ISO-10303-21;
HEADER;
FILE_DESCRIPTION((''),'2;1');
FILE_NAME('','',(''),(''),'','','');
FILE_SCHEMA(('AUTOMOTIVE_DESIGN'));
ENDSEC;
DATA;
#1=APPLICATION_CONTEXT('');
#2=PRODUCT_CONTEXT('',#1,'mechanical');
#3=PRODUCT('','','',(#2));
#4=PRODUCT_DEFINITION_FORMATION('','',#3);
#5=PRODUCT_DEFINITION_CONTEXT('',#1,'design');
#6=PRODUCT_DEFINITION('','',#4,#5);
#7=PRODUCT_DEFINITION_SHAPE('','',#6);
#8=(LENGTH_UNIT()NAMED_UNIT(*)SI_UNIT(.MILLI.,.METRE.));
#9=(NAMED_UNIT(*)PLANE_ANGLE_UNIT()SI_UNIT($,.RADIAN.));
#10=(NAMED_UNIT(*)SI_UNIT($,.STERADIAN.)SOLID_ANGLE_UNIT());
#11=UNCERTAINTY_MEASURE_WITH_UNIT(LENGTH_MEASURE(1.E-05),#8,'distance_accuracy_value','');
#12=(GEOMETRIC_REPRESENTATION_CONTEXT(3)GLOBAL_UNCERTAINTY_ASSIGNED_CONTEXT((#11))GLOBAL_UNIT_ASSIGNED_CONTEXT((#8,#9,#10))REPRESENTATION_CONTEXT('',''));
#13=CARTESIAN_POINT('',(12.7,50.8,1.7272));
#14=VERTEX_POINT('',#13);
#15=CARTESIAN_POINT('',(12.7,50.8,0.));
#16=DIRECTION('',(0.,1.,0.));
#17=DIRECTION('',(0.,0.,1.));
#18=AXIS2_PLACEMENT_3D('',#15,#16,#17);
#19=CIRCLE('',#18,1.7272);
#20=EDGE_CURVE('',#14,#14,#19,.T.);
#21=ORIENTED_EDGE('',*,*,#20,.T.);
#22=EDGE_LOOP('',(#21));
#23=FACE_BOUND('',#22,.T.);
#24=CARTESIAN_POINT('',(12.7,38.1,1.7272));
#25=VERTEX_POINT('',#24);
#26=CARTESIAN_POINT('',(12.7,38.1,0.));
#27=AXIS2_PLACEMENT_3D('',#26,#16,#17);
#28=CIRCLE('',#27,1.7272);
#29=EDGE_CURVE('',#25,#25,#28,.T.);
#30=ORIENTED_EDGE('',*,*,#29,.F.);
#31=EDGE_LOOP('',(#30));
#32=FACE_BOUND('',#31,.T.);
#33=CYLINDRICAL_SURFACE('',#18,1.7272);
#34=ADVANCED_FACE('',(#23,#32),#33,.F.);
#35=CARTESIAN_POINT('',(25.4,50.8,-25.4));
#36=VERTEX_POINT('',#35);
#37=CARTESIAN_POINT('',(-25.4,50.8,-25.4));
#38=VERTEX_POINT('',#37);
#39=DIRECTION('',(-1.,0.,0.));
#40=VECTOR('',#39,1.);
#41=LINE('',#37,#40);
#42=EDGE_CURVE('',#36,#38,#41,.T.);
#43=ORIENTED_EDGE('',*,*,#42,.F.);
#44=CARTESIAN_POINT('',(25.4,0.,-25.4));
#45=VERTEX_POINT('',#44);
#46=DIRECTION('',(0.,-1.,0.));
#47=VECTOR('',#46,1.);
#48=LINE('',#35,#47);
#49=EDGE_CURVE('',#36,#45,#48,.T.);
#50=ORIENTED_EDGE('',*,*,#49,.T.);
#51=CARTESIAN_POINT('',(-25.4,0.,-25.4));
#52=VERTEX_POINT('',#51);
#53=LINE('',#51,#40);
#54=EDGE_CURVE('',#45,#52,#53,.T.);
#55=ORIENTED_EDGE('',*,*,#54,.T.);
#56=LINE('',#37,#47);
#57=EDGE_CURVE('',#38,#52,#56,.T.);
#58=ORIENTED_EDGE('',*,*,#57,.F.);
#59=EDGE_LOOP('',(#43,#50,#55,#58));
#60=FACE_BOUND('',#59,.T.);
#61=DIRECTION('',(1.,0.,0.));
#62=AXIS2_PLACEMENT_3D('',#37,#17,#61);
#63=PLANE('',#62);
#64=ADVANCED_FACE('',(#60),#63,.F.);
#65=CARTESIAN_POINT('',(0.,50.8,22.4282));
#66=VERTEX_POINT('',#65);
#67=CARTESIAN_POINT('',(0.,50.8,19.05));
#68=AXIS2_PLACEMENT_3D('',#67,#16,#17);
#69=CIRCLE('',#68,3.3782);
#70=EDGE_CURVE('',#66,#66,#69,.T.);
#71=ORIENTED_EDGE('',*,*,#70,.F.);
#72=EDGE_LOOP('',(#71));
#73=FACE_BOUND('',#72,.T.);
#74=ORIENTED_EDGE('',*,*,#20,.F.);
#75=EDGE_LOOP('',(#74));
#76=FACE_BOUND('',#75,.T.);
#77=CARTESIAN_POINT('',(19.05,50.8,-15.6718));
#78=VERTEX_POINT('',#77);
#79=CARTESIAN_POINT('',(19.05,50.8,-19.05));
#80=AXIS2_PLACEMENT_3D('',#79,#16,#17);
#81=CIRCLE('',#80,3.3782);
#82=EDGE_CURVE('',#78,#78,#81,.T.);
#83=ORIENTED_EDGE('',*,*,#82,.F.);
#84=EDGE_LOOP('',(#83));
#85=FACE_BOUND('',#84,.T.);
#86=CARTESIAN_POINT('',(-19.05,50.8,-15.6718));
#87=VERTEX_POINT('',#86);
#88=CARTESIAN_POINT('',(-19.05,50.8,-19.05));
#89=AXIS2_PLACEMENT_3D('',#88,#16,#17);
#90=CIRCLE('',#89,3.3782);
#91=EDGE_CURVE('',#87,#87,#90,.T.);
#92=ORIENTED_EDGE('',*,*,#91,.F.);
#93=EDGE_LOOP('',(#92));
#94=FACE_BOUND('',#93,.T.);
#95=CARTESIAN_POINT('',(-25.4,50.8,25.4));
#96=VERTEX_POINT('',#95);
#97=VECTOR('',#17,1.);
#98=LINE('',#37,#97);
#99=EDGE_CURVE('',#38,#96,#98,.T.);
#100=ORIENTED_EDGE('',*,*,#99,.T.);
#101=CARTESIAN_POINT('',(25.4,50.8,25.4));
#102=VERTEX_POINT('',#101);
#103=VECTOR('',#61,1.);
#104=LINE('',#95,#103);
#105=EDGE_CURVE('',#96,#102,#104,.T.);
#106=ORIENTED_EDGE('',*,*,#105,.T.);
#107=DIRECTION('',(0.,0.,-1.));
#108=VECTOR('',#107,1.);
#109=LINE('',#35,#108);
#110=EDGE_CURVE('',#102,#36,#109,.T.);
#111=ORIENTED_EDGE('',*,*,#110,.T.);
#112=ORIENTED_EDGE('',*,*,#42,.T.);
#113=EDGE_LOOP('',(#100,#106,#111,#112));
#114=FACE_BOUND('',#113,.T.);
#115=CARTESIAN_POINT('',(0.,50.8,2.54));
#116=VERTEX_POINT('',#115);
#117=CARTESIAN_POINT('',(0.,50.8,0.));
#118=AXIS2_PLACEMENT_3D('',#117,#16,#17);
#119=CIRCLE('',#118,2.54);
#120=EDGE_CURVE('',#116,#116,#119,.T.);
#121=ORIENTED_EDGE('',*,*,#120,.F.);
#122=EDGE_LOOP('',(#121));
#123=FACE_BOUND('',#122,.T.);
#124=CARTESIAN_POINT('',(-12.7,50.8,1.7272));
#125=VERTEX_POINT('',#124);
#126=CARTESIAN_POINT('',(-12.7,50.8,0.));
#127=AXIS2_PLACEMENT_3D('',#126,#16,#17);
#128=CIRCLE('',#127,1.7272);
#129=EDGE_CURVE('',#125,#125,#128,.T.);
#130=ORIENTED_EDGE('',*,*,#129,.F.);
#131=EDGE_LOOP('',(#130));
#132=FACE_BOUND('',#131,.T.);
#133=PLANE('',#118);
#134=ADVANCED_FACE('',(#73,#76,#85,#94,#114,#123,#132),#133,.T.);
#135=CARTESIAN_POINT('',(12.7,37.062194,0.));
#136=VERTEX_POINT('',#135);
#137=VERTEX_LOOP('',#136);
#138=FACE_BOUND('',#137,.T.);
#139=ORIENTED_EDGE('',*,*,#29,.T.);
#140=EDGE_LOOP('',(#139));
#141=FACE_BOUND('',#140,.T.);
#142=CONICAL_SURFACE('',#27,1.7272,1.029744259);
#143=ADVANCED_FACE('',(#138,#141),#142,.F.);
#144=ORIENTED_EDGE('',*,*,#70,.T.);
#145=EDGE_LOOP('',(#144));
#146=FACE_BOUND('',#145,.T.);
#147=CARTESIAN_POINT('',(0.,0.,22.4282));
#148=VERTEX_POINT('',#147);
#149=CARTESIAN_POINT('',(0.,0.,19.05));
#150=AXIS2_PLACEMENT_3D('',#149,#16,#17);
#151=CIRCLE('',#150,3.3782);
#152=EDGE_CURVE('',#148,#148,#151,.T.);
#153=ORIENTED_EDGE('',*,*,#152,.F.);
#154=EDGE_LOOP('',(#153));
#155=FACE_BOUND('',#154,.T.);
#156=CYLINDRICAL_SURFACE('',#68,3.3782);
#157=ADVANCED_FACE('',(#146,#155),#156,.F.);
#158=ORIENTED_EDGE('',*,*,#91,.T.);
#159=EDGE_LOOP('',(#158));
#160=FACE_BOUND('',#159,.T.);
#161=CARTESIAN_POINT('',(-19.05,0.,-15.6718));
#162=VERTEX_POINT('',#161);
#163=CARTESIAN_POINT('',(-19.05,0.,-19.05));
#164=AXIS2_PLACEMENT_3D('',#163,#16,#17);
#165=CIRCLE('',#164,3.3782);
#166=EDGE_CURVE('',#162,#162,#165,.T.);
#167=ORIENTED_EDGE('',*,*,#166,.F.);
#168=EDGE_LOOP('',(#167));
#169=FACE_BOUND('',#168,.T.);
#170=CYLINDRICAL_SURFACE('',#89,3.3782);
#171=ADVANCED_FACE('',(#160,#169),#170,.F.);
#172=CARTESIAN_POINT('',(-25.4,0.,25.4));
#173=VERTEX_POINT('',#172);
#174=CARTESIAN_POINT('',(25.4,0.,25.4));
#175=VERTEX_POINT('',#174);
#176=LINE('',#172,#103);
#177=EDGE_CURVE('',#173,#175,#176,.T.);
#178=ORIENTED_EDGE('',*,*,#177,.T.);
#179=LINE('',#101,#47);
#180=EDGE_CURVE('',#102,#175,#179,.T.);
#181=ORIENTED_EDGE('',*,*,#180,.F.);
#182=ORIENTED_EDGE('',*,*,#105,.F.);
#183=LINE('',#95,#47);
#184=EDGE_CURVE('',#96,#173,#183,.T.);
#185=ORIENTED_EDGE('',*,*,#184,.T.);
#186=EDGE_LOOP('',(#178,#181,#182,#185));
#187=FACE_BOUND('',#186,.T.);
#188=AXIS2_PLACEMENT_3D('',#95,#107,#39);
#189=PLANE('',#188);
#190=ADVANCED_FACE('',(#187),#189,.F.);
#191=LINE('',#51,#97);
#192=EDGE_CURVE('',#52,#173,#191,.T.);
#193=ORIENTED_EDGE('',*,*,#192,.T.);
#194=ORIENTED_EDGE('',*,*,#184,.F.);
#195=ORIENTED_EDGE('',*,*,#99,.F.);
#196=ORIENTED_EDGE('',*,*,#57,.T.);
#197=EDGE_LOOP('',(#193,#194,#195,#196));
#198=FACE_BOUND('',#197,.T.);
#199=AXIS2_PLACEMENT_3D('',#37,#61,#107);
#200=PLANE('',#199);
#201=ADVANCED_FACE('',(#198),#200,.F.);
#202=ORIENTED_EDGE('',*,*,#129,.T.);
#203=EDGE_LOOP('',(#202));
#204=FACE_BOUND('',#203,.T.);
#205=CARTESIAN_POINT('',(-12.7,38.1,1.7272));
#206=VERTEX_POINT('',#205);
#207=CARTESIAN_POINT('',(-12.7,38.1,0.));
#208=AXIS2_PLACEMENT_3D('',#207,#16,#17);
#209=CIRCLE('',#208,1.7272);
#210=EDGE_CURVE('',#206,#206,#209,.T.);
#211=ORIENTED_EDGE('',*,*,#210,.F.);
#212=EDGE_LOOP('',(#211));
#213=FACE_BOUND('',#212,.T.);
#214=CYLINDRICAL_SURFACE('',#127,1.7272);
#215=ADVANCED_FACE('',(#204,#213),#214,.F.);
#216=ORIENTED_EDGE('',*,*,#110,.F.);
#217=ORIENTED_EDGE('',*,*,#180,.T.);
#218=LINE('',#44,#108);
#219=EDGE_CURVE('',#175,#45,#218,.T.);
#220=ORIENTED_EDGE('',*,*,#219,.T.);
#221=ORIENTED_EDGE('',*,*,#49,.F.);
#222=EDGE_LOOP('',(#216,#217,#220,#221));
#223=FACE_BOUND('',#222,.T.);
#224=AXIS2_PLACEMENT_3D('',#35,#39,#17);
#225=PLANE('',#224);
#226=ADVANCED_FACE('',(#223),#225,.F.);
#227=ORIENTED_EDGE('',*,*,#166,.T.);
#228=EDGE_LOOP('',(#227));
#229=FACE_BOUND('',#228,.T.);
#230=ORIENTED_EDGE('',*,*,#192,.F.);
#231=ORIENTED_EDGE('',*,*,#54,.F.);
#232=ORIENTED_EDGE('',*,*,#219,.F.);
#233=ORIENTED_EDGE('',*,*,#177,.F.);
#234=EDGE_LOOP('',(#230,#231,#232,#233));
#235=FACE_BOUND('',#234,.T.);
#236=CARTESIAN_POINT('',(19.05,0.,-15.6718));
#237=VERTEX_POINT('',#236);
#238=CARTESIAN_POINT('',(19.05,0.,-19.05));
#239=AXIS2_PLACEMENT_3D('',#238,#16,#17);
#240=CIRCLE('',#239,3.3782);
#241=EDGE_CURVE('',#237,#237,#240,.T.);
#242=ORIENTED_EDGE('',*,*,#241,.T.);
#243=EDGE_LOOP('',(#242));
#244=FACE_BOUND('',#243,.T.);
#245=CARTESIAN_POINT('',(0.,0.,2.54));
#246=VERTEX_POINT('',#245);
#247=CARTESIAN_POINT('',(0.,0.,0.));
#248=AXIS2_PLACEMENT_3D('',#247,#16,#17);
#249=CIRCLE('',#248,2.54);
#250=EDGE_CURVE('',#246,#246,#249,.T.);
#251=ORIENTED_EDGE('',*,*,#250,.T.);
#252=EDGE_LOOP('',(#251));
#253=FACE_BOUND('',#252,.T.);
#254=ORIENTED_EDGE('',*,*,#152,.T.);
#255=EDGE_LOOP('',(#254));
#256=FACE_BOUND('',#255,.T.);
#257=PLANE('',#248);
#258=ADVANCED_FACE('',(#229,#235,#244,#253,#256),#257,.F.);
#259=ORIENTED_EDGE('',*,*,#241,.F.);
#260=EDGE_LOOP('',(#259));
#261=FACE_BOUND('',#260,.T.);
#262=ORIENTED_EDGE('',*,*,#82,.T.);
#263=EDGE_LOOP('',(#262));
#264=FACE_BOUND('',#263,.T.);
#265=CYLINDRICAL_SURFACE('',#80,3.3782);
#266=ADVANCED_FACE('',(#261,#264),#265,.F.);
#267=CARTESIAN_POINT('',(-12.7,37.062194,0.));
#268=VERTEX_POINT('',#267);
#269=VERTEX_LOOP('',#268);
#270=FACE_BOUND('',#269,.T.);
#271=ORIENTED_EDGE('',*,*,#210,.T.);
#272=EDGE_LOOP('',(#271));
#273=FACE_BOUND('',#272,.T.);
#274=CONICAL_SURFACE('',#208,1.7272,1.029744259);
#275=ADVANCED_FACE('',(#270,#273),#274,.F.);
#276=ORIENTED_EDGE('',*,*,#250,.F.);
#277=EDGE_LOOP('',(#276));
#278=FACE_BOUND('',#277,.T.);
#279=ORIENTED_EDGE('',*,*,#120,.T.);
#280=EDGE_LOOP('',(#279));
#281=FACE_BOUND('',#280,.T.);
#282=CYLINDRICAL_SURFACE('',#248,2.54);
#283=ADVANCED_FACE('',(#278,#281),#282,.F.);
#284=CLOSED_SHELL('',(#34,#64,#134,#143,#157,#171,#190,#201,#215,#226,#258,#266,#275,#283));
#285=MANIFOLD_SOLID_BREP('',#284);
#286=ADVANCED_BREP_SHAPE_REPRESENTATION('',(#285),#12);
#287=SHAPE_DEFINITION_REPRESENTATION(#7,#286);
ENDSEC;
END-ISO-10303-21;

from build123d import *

# Parameters (mm, degrees)
SKETCH1_W                     = 50.8
SKETCH1_H                     = 50.8
BOSS_EXTRUDE1_DEPTH           = 50.8
F_1_4_CLEARANCE_HOLE1_D       = 6.7564
SKETCH4_R                     = 2.54
CUT_EXTRUDE1_DEPTH            = 63.217039467
TAP_DRILL_FOR_8_32_TAP1_D     = 3.4544
TAP_DRILL_FOR_8_32_TAP1_DEPTH = 12.7
TAP_DRILL_FOR_8_32_TAP1_TIP   = 1.037806461


with BuildPart() as part:
    # Sketch1 → Boss-Extrude1 (new body)
    with BuildSketch(Plane(origin=(0, 0, 0), x_dir=(1, 0, 0), z_dir=(0, 1, 0))):
        Rectangle(SKETCH1_W, SKETCH1_H)
    extrude(amount=BOSS_EXTRUDE1_DEPTH)

    # 1/4 Clearance Hole1 (through all)
    with Locations(Plane(origin=(0, 50.8, 0), x_dir=(1, 0, 0), z_dir=(0, 1, 0))):
        with Locations((-19.05, 19.05), (19.05, 19.05), (0, -19.05)):
            Hole(F_1_4_CLEARANCE_HOLE1_D / 2)

    # Sketch4 → Cut-Extrude1 (cut, through all)
    with BuildSketch(Plane(origin=(0, 50.8, 0), x_dir=(1, 0, 0), z_dir=(0, 1, 0))):
        with Locations(Location((0, 0, 0), (0, 0, 270))):
            Circle(SKETCH4_R)
    extrude(amount=-CUT_EXTRUDE1_DEPTH, mode=Mode.SUBTRACT)

    # Tap Drill for #8-32 Tap1
    with Locations(Plane(origin=(0, 50.8, 0), x_dir=(1, 0, 0), z_dir=(0, 1, 0))):
        with Locations((-12.7, 0), (12.7, 0)):
            Hole(TAP_DRILL_FOR_8_32_TAP1_D / 2, depth=TAP_DRILL_FOR_8_32_TAP1_DEPTH)
            with Locations((0, 0, -(TAP_DRILL_FOR_8_32_TAP1_DEPTH + TAP_DRILL_FOR_8_32_TAP1_TIP / 2))):  # 118° drill point
                Cone(0, TAP_DRILL_FOR_8_32_TAP1_D / 2, TAP_DRILL_FOR_8_32_TAP1_TIP, mode=Mode.SUBTRACT)


solid = part.part
